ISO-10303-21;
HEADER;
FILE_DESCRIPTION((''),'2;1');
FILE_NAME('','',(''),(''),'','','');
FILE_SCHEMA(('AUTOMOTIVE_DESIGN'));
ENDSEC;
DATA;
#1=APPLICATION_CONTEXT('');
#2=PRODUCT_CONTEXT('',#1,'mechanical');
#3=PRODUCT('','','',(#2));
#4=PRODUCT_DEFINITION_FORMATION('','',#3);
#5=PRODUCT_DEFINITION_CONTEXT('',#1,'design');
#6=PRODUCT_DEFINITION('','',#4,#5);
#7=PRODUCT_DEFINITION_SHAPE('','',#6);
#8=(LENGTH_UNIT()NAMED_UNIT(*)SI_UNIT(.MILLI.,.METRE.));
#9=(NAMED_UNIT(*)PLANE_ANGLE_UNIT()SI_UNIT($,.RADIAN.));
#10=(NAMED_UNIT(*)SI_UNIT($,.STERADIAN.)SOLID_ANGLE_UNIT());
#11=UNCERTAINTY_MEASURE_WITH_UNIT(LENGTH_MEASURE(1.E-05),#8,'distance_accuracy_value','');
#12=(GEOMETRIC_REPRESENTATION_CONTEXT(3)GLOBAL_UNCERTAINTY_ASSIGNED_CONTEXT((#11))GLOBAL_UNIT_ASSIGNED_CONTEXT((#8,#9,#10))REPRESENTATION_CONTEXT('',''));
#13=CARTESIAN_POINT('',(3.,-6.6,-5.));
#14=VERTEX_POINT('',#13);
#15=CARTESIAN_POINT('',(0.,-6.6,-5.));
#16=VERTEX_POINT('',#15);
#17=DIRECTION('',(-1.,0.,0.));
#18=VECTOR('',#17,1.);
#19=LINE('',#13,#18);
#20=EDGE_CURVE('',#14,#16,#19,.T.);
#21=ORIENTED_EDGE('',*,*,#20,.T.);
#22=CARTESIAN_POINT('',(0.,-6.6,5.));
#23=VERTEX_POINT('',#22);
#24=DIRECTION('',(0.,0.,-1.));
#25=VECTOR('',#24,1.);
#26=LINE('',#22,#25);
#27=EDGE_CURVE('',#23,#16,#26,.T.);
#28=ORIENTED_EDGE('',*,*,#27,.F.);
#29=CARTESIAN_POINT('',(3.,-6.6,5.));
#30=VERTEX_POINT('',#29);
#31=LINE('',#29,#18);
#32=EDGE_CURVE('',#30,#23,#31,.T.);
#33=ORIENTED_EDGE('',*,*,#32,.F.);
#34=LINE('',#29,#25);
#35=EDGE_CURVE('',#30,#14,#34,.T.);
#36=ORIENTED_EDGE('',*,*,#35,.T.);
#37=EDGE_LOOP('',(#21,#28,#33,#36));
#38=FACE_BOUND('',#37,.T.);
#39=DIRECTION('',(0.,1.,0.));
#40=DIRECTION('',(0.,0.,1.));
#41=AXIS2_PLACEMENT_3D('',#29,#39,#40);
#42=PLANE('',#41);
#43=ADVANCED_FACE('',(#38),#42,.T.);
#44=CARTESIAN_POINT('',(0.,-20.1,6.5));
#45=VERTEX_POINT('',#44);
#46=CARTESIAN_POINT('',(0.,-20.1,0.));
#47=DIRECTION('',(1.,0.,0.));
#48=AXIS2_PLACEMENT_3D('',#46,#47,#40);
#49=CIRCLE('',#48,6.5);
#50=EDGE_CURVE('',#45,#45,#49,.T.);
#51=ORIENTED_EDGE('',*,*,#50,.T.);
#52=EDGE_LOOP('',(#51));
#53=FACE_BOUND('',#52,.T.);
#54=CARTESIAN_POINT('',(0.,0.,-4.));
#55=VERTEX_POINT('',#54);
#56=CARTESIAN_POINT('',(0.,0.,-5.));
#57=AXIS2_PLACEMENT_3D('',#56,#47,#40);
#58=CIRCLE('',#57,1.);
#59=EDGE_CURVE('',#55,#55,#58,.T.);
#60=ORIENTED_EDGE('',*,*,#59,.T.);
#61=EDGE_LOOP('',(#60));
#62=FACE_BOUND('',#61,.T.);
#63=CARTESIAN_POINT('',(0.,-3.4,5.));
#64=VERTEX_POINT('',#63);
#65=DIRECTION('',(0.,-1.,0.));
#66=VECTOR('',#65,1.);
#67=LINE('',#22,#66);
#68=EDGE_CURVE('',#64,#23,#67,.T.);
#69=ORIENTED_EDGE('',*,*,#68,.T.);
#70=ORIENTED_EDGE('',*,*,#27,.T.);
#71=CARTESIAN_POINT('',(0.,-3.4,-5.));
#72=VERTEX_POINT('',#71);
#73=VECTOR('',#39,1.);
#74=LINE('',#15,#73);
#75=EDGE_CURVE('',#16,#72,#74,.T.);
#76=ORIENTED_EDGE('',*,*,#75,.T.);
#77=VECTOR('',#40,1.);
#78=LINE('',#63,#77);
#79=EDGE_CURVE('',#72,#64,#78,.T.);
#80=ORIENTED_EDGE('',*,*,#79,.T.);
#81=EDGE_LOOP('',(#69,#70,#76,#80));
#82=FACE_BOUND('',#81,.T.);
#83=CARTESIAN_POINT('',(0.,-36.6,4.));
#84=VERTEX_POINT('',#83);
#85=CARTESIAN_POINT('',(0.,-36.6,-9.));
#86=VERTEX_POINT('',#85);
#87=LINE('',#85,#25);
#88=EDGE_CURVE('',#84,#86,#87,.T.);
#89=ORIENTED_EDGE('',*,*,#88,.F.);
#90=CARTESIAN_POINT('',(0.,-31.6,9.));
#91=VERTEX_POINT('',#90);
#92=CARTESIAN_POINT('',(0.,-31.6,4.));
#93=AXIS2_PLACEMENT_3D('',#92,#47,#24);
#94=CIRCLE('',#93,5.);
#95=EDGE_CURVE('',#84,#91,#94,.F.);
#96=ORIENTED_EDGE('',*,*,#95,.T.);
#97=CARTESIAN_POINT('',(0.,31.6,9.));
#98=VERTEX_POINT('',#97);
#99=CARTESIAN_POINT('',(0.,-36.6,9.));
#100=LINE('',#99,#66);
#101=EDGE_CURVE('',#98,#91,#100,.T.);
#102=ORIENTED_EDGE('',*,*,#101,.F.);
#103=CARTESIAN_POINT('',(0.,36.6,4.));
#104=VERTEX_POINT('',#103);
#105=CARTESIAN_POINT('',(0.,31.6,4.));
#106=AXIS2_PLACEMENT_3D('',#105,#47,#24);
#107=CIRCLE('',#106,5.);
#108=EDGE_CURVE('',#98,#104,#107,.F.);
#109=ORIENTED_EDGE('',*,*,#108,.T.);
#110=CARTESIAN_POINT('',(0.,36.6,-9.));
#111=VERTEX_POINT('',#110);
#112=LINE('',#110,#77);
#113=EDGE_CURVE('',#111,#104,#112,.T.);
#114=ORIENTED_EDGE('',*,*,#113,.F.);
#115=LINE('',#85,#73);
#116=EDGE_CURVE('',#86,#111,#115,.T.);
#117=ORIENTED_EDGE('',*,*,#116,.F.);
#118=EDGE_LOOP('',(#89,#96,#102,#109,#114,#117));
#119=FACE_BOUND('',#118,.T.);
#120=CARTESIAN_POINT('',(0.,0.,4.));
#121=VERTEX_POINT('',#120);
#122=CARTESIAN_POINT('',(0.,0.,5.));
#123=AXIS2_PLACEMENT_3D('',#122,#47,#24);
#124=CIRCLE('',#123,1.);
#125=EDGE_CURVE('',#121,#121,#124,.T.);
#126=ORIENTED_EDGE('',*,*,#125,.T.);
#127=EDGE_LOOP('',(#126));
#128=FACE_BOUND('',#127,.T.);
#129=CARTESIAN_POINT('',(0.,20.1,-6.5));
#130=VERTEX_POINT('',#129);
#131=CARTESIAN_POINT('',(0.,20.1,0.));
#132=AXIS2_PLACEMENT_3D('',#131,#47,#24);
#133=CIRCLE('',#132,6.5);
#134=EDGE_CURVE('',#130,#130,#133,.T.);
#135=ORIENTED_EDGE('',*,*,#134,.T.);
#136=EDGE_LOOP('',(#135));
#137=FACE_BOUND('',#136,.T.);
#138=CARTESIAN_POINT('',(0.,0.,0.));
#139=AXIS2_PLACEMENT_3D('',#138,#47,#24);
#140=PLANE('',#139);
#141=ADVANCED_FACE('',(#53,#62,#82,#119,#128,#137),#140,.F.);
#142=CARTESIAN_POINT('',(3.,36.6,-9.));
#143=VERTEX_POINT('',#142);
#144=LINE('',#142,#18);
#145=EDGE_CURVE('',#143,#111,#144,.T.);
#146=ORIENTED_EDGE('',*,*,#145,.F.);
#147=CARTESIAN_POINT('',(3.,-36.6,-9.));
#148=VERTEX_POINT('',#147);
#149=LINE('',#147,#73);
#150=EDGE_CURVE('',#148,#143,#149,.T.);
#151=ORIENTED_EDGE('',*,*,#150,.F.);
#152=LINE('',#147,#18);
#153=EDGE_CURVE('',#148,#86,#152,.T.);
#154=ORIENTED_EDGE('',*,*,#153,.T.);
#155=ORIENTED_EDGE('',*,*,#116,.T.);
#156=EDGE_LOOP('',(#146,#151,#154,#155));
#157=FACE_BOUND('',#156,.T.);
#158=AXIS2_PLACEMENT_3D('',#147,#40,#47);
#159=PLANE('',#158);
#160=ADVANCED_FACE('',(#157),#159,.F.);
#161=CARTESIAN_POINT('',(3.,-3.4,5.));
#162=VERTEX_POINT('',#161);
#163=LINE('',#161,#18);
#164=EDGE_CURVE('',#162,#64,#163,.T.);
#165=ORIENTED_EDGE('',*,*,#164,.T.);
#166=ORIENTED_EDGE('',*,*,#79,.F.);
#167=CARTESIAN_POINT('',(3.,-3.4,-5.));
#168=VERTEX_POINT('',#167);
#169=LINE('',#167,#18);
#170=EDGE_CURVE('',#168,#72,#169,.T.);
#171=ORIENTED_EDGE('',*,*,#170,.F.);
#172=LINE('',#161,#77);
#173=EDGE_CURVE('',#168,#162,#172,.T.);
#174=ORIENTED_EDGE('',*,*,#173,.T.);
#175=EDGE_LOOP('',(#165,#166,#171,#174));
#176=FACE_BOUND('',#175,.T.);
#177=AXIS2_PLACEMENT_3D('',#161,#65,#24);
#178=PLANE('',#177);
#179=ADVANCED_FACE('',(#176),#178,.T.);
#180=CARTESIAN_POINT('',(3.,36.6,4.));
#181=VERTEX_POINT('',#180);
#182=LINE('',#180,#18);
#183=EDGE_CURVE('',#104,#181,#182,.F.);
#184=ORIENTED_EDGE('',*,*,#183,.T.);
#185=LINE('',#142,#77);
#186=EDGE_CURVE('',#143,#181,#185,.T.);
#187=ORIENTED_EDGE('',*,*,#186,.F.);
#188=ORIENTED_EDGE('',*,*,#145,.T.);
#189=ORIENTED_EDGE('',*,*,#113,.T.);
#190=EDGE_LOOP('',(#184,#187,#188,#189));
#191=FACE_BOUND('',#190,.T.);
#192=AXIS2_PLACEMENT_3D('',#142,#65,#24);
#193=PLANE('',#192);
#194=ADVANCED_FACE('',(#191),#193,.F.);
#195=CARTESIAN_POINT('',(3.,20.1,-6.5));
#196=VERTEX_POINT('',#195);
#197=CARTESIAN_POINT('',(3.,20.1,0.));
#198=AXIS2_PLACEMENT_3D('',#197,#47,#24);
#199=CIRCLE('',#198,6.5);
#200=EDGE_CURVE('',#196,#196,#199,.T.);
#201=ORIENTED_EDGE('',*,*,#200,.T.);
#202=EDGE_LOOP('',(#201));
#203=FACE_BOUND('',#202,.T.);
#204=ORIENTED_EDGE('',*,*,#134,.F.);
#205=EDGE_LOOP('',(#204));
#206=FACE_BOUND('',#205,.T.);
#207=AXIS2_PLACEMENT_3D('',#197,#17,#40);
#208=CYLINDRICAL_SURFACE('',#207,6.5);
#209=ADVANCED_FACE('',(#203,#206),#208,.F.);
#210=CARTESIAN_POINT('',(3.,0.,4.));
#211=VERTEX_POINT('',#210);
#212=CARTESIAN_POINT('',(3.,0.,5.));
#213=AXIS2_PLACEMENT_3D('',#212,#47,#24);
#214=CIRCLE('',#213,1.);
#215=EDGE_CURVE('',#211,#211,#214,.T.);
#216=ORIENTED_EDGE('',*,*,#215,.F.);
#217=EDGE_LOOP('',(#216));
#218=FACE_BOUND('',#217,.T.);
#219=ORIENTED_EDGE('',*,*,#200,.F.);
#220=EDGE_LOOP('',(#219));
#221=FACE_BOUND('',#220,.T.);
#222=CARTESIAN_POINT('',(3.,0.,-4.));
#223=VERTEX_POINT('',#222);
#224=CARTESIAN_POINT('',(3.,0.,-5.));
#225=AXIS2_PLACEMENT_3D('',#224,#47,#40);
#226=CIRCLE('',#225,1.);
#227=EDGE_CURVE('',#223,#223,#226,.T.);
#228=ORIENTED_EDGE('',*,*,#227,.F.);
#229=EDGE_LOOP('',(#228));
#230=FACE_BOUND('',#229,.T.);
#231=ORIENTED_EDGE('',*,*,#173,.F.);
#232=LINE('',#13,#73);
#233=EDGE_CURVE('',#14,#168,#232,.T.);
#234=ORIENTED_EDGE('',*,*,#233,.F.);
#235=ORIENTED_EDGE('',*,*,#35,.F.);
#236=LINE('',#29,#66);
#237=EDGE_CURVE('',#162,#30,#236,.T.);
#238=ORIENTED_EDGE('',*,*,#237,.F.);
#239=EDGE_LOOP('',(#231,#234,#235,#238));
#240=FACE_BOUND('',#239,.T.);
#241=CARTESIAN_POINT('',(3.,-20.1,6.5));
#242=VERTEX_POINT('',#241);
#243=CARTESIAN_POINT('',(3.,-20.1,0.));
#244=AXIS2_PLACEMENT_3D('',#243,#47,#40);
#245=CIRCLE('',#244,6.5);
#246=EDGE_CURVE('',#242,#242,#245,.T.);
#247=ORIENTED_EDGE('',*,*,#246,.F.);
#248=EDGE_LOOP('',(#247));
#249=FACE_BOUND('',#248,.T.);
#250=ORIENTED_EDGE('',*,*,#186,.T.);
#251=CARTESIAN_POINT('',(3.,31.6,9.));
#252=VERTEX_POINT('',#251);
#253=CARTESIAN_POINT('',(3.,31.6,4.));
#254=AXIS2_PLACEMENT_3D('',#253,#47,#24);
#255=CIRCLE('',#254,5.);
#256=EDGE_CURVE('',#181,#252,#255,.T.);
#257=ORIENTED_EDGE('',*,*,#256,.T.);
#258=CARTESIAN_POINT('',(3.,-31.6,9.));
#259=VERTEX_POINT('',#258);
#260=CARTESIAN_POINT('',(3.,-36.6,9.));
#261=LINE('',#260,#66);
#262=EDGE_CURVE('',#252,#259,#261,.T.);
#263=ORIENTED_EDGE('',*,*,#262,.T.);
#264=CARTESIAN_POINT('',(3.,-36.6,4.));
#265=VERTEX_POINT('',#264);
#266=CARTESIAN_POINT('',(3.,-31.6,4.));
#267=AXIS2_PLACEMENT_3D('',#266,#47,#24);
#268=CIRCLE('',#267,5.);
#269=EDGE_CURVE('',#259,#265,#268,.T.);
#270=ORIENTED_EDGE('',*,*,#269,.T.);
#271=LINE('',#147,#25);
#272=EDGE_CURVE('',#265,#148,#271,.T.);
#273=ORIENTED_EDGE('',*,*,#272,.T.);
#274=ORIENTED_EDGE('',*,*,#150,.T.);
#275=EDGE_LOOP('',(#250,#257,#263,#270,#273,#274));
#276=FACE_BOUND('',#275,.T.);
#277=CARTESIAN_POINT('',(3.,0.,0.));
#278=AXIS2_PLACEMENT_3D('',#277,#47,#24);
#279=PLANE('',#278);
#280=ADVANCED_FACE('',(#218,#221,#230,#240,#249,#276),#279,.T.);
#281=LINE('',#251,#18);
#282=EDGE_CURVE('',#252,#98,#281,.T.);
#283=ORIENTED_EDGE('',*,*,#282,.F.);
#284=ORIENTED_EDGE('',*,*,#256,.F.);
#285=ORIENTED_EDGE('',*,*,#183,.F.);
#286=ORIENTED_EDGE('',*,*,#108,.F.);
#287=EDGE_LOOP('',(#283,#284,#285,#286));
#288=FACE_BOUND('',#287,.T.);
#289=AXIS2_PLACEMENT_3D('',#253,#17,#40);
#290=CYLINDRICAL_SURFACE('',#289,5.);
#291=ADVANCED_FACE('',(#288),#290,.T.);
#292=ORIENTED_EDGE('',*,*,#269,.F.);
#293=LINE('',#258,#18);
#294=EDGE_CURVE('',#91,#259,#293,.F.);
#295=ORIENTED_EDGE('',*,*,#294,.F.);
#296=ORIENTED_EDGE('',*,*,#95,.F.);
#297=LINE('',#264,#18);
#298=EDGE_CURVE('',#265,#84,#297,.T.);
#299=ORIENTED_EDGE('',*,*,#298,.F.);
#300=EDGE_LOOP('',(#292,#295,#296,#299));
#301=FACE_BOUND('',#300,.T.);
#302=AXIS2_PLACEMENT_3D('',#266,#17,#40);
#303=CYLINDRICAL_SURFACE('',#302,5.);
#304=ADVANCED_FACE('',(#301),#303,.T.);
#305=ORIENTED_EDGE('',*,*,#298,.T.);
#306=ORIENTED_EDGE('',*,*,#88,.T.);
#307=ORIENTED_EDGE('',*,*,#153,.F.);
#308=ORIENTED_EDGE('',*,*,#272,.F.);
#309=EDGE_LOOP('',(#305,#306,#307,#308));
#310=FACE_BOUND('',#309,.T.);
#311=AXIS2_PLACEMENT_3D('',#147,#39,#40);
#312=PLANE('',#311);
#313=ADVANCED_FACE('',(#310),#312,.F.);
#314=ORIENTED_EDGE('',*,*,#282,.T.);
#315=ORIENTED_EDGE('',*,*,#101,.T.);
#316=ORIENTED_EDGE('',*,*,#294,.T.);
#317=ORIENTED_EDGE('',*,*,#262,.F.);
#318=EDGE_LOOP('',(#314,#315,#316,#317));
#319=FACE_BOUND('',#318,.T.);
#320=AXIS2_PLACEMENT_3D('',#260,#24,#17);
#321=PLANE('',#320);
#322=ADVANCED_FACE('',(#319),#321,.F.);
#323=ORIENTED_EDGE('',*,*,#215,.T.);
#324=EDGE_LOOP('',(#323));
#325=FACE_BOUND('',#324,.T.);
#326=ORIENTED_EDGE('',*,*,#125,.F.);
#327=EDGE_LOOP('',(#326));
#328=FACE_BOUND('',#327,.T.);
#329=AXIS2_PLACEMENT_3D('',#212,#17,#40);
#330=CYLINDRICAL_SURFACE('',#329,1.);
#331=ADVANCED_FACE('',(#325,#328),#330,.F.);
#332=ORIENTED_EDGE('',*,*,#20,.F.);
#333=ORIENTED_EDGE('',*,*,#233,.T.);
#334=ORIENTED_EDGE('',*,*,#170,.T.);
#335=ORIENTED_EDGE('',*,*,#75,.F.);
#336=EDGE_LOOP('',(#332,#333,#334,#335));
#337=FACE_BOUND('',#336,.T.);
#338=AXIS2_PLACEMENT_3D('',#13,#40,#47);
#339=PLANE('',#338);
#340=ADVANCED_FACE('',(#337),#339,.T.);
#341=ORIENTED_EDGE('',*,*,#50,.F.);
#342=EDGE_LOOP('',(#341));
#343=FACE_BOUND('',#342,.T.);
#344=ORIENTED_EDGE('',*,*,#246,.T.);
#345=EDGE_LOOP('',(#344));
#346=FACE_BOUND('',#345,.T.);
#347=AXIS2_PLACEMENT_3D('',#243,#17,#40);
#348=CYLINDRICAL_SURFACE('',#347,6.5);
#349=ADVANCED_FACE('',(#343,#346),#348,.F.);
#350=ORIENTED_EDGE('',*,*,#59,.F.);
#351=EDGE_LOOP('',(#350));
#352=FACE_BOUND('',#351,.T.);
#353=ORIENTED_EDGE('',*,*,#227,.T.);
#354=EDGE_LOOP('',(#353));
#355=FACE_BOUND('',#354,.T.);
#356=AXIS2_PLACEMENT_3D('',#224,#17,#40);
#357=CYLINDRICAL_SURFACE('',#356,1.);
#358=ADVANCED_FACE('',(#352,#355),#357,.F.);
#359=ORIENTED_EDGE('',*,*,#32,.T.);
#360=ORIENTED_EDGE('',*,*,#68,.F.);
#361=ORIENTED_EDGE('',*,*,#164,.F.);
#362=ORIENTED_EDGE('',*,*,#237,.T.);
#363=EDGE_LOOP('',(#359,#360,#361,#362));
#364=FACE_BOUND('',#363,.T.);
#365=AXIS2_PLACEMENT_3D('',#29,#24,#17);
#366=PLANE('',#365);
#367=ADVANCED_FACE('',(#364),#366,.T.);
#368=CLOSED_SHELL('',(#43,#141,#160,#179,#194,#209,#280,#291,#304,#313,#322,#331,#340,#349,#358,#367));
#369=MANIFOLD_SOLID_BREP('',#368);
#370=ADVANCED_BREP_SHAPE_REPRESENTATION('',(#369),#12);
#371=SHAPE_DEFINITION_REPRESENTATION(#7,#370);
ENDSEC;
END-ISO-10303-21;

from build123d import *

# Parameters (mm, degrees)
CROQUIS1_W              = 18
CROQUIS1_H              = 73.2
CROQUIS1_R              = 6.5
CROQUIS1_R_2            = 1
CROQUIS1_W_2            = 10
CROQUIS1_H_2            = 3.2
SALIENTE_EXTRUIR1_DEPTH = 3
REDONDEO1_R             = 5


with BuildPart() as part:
    # Croquis1 → Saliente-Extruir1 (new body)
    with BuildSketch(Plane(origin=(0, 0, 0), x_dir=(0, 0, -1), z_dir=(1, 0, 0))):
        Rectangle(CROQUIS1_W, CROQUIS1_H)
        with Locations((0, 20.1)):
            Circle(CROQUIS1_R, mode=Mode.SUBTRACT)
        with Locations(Location((0, -20.1, 0), (0, 0, 180))):
            Circle(CROQUIS1_R, mode=Mode.SUBTRACT)
        with Locations((-5, 0)):
            Circle(CROQUIS1_R_2, mode=Mode.SUBTRACT)
        with Locations(Location((5, 0, 0), (0, 0, 180))):
            Circle(CROQUIS1_R_2, mode=Mode.SUBTRACT)
        with Locations((0, -5)):
            Rectangle(CROQUIS1_W_2, CROQUIS1_H_2, mode=Mode.SUBTRACT)
    extrude(amount=SALIENTE_EXTRUIR1_DEPTH)

    # Redondeo1
    redondeo1_edges = [part.edges().sort_by_distance(p)[0] for p in [
        (1.5, 36.6, 9),
        (1.5, -36.6, 9),
    ]]
    fillet(redondeo1_edges, radius=REDONDEO1_R)


solid = part.part
